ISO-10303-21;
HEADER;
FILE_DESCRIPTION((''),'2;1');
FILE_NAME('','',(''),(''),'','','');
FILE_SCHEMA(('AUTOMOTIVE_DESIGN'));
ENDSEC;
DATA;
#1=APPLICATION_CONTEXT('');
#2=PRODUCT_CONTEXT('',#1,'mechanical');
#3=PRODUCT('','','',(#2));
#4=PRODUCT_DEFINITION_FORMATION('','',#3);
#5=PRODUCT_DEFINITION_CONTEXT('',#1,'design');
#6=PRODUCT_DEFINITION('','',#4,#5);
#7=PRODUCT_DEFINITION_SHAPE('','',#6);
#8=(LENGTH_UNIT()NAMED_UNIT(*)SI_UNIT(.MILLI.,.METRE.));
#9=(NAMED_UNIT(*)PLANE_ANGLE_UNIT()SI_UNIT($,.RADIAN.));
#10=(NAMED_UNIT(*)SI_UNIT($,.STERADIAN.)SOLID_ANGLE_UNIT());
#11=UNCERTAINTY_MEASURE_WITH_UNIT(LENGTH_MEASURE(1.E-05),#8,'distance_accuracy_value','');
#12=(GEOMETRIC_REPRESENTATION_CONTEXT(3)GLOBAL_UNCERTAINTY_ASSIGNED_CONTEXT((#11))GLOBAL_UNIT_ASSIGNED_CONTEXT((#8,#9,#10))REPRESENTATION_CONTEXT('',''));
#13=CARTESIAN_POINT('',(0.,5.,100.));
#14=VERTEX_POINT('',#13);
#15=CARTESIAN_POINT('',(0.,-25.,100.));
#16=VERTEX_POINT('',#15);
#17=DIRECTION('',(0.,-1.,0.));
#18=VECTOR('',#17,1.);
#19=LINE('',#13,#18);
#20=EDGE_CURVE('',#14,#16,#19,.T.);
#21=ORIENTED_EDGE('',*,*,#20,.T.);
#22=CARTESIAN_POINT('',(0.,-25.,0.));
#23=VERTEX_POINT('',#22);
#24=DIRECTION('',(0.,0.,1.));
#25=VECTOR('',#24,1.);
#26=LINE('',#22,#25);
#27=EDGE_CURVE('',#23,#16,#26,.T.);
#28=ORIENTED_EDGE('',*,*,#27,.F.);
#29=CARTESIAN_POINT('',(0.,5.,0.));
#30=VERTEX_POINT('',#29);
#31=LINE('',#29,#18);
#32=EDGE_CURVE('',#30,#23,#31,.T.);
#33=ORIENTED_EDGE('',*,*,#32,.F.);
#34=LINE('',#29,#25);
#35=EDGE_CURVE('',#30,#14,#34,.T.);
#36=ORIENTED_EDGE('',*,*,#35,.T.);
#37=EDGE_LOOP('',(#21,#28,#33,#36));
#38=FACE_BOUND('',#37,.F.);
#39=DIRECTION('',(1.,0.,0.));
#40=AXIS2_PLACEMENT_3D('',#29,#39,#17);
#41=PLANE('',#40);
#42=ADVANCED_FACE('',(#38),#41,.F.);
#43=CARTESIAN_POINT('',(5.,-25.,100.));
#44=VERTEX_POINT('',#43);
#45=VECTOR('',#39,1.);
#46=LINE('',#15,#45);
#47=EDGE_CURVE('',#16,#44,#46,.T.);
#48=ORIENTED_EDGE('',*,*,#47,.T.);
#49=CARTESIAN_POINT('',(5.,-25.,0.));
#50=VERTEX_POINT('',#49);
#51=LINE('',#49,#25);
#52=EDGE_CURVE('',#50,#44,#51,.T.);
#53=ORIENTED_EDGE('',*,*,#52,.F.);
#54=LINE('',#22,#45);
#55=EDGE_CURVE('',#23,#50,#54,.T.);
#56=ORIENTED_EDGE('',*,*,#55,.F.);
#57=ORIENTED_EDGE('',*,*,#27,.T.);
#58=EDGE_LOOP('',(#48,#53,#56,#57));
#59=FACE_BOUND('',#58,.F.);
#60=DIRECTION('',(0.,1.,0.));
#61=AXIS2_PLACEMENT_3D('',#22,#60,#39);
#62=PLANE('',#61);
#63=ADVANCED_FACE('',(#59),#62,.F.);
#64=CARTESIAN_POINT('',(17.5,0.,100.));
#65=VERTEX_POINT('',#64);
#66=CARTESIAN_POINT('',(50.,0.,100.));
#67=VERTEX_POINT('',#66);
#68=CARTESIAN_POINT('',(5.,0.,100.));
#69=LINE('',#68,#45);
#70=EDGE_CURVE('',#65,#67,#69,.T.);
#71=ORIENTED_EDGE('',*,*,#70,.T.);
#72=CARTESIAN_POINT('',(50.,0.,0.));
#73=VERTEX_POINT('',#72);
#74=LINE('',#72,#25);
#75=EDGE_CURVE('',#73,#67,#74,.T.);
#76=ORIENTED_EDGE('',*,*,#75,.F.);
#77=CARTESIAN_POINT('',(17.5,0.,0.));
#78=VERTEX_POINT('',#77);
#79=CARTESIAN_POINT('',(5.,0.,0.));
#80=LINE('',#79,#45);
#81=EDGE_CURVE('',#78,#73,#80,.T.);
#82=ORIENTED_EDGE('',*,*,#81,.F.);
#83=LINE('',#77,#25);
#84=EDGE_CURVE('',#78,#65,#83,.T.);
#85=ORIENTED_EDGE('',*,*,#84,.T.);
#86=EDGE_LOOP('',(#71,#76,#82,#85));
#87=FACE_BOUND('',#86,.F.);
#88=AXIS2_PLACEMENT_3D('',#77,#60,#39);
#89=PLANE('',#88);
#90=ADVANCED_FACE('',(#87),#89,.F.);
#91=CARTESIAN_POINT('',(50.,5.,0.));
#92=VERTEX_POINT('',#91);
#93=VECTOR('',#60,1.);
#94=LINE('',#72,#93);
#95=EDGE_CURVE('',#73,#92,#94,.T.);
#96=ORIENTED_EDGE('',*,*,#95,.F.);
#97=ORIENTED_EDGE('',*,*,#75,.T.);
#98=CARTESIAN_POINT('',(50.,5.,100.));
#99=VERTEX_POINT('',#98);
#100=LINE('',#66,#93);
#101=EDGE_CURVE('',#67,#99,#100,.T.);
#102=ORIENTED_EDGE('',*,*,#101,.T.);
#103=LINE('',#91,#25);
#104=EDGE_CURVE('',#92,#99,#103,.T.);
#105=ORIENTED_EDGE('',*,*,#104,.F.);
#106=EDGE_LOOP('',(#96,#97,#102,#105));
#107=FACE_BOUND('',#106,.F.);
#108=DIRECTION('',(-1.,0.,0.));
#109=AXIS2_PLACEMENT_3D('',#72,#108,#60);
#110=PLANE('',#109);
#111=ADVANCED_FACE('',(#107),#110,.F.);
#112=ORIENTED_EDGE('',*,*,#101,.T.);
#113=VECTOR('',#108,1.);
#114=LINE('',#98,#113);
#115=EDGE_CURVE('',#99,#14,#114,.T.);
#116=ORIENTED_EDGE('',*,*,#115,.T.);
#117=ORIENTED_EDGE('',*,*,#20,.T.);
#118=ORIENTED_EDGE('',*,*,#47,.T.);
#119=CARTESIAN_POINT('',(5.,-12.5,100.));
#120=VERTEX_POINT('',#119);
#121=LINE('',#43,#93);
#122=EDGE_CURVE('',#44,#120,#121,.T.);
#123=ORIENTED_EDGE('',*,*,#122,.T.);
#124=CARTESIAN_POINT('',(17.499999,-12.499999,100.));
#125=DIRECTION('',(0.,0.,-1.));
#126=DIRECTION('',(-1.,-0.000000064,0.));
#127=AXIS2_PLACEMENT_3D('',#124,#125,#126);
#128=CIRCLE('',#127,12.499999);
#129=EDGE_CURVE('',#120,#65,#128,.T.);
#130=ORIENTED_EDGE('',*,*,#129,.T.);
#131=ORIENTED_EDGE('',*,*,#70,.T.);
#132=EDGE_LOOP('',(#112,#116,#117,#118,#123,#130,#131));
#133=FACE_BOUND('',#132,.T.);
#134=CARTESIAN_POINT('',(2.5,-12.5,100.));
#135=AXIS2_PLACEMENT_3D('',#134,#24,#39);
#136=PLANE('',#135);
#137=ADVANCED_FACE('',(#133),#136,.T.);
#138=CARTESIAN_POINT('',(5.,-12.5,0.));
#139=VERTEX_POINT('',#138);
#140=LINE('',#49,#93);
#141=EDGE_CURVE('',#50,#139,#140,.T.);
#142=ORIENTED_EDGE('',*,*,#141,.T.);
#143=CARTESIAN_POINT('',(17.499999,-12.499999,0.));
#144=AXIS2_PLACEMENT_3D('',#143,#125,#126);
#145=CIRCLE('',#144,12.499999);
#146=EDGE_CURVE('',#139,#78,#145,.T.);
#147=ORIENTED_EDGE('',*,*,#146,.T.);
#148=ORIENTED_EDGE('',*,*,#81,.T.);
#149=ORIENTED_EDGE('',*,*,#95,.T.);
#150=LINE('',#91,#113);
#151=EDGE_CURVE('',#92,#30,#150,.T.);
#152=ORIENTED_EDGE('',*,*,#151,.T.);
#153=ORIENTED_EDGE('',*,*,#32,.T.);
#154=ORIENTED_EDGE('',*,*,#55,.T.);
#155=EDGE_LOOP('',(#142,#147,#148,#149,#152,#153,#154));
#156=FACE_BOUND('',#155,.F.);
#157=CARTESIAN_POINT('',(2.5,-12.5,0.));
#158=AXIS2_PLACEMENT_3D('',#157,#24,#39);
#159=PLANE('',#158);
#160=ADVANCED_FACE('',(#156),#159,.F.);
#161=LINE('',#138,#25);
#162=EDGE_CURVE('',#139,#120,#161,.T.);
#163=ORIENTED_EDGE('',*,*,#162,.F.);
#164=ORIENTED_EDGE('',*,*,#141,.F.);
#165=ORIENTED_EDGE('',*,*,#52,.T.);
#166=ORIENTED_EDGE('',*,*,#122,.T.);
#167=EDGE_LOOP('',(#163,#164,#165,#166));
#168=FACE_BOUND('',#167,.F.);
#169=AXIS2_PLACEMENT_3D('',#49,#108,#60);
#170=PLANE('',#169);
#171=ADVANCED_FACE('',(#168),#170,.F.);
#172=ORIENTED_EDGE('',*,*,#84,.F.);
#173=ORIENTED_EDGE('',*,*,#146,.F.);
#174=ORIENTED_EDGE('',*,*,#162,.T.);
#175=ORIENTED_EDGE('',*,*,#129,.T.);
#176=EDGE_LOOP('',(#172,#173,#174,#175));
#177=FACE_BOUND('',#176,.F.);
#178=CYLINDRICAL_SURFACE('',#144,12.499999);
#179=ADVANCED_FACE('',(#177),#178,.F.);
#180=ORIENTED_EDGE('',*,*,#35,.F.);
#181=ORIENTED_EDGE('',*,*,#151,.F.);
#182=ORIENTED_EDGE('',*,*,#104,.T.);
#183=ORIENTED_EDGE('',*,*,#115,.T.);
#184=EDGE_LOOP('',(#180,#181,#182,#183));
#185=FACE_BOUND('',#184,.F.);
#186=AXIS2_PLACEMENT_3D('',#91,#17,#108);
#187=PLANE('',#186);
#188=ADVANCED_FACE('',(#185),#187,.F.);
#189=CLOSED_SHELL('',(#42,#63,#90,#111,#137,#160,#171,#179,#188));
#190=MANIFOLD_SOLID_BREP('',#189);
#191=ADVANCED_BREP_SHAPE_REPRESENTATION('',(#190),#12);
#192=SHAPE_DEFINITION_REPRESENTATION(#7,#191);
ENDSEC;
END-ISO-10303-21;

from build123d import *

# Parameters (mm, degrees)
F1_DEPTH = 100


with BuildPart() as f1:
    # F0 (on Top) → F1 (new body)
    with BuildSketch(Plane.XY):
        Polygon((5, 0), (0, 0), (0, -25), (5, -25), (5, -12.5), align=None)
        Polygon((0, 5), (0, 0), (5, 0), (17.5, 0), (50, 0), (50, 5), align=None)
        with BuildLine():
            Line((17.5, 0), (5, 0))
            Line((5, 0), (5, -12.5))
            ThreePointArc((5, -12.5), (8.661165, -3.661165), (17.5, 0))
        make_face()
    extrude(amount=F1_DEPTH)


solid = f1.part
